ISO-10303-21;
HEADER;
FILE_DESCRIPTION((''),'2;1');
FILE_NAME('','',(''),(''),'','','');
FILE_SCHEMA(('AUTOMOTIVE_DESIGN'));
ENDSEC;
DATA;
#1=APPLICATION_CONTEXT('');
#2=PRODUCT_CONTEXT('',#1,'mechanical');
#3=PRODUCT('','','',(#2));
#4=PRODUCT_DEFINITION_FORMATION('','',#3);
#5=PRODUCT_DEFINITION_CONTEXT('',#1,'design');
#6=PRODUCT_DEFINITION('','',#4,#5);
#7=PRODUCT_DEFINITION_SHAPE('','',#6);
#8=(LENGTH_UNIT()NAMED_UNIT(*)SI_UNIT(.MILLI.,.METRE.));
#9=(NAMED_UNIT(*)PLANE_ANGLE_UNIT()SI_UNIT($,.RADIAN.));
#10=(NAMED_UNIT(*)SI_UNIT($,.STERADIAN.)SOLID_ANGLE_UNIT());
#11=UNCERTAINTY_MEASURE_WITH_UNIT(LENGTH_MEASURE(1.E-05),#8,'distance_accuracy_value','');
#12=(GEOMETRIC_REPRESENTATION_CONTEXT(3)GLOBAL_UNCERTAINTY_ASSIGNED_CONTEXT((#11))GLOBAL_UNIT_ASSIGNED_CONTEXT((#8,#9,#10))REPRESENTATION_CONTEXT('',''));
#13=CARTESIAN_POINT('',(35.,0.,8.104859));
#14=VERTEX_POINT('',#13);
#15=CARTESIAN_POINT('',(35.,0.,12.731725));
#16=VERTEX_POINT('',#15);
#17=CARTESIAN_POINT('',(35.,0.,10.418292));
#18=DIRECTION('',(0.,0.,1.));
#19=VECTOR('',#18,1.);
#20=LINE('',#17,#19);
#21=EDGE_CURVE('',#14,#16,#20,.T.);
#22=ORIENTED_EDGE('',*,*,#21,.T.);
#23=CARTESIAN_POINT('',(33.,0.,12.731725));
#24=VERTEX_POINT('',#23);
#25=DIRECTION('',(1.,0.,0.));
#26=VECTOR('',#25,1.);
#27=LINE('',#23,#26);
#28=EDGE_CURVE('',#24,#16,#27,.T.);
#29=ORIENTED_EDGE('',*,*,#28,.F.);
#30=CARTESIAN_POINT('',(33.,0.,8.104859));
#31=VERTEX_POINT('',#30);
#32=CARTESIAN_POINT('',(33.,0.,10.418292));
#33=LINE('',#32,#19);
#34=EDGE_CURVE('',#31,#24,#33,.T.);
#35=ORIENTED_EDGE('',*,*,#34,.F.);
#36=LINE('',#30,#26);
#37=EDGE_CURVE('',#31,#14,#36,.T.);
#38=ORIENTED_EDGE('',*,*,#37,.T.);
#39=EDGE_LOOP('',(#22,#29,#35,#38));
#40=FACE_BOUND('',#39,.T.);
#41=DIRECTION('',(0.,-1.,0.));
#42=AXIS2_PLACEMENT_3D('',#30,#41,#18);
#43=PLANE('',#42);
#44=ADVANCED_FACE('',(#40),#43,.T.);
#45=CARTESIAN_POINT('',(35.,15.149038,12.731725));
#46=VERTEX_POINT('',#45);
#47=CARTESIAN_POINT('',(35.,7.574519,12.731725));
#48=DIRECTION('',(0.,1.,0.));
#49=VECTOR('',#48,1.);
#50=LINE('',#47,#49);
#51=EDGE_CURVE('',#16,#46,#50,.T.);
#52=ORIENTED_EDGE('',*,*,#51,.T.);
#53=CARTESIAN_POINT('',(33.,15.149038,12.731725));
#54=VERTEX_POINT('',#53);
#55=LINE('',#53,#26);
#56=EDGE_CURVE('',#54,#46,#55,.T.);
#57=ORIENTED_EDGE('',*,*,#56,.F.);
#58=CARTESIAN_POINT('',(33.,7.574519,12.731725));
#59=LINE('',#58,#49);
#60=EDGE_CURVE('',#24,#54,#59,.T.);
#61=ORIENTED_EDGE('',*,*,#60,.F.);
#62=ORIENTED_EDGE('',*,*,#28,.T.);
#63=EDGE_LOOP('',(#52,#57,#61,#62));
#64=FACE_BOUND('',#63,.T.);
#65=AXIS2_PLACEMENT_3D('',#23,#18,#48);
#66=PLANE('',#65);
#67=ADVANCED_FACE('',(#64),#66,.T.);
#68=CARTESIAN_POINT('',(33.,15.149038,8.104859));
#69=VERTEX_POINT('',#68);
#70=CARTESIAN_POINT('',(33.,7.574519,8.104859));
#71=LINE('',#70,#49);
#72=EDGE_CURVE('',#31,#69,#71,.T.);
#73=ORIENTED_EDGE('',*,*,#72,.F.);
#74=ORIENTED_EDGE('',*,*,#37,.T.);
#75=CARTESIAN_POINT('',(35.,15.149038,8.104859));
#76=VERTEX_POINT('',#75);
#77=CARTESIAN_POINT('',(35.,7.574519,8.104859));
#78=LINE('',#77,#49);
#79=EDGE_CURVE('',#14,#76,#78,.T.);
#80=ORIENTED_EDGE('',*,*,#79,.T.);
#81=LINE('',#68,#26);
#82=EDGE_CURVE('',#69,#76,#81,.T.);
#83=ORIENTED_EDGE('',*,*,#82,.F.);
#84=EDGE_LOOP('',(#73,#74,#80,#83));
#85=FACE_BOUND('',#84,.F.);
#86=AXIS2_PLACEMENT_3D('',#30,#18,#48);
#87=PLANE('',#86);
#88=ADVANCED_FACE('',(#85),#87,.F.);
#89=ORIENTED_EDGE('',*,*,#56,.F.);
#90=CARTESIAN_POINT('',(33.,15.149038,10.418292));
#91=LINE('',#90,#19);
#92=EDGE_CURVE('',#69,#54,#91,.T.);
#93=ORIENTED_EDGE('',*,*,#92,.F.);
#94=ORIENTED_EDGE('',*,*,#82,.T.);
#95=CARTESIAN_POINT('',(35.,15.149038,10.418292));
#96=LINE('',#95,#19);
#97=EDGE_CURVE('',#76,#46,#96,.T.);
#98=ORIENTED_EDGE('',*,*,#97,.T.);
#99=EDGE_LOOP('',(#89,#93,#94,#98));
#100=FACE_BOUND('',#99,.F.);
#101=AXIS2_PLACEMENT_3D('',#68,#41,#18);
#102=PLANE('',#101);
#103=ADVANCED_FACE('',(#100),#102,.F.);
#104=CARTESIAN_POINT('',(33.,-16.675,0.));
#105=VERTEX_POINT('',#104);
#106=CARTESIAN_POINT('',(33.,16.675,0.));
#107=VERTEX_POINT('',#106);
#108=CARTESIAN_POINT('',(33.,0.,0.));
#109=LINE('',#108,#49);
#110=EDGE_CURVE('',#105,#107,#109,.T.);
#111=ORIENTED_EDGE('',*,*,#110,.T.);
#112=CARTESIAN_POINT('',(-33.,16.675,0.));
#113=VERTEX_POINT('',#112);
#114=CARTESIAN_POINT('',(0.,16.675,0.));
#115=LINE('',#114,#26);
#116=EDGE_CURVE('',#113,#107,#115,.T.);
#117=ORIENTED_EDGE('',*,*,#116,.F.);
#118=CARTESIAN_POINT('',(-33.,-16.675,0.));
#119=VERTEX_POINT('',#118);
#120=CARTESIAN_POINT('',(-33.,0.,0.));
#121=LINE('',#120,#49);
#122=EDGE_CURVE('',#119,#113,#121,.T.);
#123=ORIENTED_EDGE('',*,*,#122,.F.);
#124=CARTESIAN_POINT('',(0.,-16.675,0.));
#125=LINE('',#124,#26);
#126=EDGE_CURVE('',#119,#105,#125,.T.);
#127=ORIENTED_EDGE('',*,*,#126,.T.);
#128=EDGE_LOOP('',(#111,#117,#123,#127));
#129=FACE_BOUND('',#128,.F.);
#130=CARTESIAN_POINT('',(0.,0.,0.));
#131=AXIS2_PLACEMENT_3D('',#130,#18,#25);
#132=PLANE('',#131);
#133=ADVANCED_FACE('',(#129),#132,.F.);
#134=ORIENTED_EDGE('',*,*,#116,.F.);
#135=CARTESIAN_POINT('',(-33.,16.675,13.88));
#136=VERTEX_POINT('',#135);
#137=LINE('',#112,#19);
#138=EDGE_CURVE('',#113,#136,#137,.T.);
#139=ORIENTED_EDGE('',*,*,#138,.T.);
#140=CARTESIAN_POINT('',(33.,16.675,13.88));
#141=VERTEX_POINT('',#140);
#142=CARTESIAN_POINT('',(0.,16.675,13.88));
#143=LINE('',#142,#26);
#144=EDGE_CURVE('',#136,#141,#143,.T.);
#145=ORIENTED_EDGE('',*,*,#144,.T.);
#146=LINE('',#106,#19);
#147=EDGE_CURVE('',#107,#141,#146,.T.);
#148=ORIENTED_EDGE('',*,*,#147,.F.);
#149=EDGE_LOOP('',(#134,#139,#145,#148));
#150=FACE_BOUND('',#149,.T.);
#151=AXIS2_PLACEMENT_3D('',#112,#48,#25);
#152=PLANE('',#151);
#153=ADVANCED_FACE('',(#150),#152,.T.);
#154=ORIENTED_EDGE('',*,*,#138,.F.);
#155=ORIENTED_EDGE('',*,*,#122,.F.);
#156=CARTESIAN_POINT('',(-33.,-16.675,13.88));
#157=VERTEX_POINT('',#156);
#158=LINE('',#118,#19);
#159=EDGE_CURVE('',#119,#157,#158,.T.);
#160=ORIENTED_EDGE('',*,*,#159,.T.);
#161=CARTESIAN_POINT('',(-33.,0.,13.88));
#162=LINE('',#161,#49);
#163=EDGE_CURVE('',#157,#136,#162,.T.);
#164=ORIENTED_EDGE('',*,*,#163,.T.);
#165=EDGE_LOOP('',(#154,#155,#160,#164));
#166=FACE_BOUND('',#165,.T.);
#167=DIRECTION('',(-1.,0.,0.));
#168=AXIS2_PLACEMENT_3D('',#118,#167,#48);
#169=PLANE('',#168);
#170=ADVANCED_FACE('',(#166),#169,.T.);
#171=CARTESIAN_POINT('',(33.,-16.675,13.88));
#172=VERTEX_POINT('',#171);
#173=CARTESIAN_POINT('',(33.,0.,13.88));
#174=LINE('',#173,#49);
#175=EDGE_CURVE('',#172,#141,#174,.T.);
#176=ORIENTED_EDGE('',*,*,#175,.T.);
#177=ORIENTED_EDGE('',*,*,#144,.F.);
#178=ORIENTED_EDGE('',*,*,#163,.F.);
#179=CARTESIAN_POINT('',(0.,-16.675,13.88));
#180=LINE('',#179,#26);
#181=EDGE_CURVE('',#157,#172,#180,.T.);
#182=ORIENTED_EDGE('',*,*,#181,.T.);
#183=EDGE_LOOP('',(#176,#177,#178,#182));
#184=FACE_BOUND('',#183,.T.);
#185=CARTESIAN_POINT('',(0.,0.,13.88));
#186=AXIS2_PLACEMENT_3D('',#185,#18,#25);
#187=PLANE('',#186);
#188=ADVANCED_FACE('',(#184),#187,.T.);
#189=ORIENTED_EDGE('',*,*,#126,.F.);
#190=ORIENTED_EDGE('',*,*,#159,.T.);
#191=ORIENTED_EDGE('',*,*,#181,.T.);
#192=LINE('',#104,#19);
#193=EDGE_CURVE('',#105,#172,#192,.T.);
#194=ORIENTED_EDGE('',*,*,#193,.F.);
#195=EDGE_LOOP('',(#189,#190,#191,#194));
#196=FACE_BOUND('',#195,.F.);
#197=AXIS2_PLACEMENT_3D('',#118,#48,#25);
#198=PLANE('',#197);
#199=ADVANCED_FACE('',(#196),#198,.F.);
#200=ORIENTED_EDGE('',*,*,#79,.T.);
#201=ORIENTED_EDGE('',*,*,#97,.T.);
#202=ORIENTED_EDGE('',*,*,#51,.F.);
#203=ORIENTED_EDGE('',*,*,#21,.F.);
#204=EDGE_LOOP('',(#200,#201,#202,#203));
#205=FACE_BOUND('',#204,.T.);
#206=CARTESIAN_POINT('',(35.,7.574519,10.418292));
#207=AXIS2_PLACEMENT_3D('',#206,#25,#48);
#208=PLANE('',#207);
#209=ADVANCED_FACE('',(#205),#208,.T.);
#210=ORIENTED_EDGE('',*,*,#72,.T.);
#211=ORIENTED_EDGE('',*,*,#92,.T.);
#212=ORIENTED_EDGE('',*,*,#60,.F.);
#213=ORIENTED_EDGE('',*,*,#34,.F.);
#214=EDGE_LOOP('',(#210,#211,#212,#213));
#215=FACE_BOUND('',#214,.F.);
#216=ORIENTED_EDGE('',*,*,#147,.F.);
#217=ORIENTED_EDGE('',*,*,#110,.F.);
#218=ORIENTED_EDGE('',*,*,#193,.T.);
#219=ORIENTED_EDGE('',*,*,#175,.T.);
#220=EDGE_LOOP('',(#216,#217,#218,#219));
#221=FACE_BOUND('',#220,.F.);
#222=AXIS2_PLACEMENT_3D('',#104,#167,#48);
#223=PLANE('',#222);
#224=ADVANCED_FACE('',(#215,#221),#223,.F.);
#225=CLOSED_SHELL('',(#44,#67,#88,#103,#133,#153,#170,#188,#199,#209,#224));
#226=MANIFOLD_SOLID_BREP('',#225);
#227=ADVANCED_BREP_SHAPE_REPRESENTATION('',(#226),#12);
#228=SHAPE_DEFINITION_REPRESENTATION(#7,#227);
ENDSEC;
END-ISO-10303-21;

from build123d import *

# Parameters (mm, degrees)
F0_W     = 66
F0_H     = 33.35
F1_DEPTH = 13.88
F2_W     = 15.149038
F2_H     = 4.626867
F3_DEPTH = 2


with BuildPart() as f1:
    # F0 (on Top) → F1 (new body)
    with BuildSketch(Plane.XY):
        Rectangle(F0_W, F0_H)
    extrude(amount=F1_DEPTH)

    # F2 (on face) → F3 (join)
    with BuildSketch(Plane.YZ.offset(33)):
        with Locations((7.574519, 10.418292)):
            Rectangle(F2_W, F2_H)
    extrude(amount=F3_DEPTH)


solid = f1.part
